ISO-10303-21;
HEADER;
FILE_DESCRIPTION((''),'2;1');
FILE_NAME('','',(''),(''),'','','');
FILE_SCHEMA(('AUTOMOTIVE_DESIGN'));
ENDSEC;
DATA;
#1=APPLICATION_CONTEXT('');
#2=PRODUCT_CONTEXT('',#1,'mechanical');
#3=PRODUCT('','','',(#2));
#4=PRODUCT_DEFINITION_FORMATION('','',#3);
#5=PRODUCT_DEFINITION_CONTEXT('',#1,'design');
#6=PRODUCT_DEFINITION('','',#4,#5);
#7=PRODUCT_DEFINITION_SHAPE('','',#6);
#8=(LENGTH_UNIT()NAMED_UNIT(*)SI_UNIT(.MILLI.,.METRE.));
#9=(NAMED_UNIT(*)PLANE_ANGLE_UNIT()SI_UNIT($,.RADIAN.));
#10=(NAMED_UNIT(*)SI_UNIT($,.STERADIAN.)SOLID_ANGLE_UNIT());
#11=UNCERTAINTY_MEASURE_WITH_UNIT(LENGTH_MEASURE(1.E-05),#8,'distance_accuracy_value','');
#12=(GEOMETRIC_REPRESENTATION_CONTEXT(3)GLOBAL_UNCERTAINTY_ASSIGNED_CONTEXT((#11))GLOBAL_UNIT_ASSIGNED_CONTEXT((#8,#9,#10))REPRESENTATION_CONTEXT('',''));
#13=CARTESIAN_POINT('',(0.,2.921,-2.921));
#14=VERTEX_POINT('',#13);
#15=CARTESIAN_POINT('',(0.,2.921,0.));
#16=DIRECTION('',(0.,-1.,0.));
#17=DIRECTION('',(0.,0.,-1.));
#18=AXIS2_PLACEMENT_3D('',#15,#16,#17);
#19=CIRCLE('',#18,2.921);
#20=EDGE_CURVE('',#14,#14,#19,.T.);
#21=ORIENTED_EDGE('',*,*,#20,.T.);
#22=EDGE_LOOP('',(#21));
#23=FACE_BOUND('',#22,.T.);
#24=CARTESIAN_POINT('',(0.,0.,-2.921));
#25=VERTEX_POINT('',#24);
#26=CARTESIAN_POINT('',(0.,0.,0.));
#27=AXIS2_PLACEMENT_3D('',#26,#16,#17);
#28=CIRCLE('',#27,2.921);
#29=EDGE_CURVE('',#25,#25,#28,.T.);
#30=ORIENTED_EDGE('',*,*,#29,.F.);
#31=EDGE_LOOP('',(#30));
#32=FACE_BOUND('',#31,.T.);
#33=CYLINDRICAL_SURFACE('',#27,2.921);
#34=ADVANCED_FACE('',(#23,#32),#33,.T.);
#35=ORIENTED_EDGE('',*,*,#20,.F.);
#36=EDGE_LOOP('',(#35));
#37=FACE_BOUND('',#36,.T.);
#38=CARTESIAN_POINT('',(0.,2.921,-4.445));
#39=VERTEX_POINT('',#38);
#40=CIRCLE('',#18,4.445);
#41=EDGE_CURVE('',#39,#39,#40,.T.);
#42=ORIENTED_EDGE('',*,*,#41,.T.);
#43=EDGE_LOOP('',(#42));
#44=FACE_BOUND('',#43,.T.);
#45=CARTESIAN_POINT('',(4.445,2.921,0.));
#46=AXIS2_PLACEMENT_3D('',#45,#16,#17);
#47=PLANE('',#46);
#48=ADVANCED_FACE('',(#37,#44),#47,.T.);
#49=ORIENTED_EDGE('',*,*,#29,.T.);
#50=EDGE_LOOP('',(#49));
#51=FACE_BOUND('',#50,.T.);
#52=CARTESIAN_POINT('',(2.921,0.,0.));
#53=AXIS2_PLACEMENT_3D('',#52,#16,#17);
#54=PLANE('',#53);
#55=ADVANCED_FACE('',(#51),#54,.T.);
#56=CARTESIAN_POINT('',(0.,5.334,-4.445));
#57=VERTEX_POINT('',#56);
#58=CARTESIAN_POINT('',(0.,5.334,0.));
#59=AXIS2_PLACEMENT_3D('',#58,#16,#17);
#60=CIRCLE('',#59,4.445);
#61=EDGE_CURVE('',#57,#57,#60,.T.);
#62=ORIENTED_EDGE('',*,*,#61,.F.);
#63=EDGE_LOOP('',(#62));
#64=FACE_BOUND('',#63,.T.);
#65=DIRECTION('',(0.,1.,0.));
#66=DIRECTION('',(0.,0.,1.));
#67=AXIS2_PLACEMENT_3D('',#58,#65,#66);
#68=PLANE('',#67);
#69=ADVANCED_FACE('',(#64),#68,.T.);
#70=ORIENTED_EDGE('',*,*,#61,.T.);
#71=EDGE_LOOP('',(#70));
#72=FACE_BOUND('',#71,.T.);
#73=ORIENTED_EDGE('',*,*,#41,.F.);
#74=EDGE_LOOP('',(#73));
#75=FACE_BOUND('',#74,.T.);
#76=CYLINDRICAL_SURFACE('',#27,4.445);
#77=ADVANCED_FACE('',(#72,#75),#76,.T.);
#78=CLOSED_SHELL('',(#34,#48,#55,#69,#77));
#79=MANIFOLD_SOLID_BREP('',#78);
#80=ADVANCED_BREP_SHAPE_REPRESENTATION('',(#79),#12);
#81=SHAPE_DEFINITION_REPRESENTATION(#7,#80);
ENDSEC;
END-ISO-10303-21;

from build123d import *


with BuildPart() as part:
    # Sketch1 → Revolve1 (revolve)
    with BuildSketch(Plane.XY):
        Polygon((0, 0), (0, 5.334), (4.445, 5.334), (4.445, 2.921), (2.921, 2.921), (2.921, 0), align=None)
    revolve(axis=Axis((0, 0, 0), (0, 1, 0)))


solid = part.part
